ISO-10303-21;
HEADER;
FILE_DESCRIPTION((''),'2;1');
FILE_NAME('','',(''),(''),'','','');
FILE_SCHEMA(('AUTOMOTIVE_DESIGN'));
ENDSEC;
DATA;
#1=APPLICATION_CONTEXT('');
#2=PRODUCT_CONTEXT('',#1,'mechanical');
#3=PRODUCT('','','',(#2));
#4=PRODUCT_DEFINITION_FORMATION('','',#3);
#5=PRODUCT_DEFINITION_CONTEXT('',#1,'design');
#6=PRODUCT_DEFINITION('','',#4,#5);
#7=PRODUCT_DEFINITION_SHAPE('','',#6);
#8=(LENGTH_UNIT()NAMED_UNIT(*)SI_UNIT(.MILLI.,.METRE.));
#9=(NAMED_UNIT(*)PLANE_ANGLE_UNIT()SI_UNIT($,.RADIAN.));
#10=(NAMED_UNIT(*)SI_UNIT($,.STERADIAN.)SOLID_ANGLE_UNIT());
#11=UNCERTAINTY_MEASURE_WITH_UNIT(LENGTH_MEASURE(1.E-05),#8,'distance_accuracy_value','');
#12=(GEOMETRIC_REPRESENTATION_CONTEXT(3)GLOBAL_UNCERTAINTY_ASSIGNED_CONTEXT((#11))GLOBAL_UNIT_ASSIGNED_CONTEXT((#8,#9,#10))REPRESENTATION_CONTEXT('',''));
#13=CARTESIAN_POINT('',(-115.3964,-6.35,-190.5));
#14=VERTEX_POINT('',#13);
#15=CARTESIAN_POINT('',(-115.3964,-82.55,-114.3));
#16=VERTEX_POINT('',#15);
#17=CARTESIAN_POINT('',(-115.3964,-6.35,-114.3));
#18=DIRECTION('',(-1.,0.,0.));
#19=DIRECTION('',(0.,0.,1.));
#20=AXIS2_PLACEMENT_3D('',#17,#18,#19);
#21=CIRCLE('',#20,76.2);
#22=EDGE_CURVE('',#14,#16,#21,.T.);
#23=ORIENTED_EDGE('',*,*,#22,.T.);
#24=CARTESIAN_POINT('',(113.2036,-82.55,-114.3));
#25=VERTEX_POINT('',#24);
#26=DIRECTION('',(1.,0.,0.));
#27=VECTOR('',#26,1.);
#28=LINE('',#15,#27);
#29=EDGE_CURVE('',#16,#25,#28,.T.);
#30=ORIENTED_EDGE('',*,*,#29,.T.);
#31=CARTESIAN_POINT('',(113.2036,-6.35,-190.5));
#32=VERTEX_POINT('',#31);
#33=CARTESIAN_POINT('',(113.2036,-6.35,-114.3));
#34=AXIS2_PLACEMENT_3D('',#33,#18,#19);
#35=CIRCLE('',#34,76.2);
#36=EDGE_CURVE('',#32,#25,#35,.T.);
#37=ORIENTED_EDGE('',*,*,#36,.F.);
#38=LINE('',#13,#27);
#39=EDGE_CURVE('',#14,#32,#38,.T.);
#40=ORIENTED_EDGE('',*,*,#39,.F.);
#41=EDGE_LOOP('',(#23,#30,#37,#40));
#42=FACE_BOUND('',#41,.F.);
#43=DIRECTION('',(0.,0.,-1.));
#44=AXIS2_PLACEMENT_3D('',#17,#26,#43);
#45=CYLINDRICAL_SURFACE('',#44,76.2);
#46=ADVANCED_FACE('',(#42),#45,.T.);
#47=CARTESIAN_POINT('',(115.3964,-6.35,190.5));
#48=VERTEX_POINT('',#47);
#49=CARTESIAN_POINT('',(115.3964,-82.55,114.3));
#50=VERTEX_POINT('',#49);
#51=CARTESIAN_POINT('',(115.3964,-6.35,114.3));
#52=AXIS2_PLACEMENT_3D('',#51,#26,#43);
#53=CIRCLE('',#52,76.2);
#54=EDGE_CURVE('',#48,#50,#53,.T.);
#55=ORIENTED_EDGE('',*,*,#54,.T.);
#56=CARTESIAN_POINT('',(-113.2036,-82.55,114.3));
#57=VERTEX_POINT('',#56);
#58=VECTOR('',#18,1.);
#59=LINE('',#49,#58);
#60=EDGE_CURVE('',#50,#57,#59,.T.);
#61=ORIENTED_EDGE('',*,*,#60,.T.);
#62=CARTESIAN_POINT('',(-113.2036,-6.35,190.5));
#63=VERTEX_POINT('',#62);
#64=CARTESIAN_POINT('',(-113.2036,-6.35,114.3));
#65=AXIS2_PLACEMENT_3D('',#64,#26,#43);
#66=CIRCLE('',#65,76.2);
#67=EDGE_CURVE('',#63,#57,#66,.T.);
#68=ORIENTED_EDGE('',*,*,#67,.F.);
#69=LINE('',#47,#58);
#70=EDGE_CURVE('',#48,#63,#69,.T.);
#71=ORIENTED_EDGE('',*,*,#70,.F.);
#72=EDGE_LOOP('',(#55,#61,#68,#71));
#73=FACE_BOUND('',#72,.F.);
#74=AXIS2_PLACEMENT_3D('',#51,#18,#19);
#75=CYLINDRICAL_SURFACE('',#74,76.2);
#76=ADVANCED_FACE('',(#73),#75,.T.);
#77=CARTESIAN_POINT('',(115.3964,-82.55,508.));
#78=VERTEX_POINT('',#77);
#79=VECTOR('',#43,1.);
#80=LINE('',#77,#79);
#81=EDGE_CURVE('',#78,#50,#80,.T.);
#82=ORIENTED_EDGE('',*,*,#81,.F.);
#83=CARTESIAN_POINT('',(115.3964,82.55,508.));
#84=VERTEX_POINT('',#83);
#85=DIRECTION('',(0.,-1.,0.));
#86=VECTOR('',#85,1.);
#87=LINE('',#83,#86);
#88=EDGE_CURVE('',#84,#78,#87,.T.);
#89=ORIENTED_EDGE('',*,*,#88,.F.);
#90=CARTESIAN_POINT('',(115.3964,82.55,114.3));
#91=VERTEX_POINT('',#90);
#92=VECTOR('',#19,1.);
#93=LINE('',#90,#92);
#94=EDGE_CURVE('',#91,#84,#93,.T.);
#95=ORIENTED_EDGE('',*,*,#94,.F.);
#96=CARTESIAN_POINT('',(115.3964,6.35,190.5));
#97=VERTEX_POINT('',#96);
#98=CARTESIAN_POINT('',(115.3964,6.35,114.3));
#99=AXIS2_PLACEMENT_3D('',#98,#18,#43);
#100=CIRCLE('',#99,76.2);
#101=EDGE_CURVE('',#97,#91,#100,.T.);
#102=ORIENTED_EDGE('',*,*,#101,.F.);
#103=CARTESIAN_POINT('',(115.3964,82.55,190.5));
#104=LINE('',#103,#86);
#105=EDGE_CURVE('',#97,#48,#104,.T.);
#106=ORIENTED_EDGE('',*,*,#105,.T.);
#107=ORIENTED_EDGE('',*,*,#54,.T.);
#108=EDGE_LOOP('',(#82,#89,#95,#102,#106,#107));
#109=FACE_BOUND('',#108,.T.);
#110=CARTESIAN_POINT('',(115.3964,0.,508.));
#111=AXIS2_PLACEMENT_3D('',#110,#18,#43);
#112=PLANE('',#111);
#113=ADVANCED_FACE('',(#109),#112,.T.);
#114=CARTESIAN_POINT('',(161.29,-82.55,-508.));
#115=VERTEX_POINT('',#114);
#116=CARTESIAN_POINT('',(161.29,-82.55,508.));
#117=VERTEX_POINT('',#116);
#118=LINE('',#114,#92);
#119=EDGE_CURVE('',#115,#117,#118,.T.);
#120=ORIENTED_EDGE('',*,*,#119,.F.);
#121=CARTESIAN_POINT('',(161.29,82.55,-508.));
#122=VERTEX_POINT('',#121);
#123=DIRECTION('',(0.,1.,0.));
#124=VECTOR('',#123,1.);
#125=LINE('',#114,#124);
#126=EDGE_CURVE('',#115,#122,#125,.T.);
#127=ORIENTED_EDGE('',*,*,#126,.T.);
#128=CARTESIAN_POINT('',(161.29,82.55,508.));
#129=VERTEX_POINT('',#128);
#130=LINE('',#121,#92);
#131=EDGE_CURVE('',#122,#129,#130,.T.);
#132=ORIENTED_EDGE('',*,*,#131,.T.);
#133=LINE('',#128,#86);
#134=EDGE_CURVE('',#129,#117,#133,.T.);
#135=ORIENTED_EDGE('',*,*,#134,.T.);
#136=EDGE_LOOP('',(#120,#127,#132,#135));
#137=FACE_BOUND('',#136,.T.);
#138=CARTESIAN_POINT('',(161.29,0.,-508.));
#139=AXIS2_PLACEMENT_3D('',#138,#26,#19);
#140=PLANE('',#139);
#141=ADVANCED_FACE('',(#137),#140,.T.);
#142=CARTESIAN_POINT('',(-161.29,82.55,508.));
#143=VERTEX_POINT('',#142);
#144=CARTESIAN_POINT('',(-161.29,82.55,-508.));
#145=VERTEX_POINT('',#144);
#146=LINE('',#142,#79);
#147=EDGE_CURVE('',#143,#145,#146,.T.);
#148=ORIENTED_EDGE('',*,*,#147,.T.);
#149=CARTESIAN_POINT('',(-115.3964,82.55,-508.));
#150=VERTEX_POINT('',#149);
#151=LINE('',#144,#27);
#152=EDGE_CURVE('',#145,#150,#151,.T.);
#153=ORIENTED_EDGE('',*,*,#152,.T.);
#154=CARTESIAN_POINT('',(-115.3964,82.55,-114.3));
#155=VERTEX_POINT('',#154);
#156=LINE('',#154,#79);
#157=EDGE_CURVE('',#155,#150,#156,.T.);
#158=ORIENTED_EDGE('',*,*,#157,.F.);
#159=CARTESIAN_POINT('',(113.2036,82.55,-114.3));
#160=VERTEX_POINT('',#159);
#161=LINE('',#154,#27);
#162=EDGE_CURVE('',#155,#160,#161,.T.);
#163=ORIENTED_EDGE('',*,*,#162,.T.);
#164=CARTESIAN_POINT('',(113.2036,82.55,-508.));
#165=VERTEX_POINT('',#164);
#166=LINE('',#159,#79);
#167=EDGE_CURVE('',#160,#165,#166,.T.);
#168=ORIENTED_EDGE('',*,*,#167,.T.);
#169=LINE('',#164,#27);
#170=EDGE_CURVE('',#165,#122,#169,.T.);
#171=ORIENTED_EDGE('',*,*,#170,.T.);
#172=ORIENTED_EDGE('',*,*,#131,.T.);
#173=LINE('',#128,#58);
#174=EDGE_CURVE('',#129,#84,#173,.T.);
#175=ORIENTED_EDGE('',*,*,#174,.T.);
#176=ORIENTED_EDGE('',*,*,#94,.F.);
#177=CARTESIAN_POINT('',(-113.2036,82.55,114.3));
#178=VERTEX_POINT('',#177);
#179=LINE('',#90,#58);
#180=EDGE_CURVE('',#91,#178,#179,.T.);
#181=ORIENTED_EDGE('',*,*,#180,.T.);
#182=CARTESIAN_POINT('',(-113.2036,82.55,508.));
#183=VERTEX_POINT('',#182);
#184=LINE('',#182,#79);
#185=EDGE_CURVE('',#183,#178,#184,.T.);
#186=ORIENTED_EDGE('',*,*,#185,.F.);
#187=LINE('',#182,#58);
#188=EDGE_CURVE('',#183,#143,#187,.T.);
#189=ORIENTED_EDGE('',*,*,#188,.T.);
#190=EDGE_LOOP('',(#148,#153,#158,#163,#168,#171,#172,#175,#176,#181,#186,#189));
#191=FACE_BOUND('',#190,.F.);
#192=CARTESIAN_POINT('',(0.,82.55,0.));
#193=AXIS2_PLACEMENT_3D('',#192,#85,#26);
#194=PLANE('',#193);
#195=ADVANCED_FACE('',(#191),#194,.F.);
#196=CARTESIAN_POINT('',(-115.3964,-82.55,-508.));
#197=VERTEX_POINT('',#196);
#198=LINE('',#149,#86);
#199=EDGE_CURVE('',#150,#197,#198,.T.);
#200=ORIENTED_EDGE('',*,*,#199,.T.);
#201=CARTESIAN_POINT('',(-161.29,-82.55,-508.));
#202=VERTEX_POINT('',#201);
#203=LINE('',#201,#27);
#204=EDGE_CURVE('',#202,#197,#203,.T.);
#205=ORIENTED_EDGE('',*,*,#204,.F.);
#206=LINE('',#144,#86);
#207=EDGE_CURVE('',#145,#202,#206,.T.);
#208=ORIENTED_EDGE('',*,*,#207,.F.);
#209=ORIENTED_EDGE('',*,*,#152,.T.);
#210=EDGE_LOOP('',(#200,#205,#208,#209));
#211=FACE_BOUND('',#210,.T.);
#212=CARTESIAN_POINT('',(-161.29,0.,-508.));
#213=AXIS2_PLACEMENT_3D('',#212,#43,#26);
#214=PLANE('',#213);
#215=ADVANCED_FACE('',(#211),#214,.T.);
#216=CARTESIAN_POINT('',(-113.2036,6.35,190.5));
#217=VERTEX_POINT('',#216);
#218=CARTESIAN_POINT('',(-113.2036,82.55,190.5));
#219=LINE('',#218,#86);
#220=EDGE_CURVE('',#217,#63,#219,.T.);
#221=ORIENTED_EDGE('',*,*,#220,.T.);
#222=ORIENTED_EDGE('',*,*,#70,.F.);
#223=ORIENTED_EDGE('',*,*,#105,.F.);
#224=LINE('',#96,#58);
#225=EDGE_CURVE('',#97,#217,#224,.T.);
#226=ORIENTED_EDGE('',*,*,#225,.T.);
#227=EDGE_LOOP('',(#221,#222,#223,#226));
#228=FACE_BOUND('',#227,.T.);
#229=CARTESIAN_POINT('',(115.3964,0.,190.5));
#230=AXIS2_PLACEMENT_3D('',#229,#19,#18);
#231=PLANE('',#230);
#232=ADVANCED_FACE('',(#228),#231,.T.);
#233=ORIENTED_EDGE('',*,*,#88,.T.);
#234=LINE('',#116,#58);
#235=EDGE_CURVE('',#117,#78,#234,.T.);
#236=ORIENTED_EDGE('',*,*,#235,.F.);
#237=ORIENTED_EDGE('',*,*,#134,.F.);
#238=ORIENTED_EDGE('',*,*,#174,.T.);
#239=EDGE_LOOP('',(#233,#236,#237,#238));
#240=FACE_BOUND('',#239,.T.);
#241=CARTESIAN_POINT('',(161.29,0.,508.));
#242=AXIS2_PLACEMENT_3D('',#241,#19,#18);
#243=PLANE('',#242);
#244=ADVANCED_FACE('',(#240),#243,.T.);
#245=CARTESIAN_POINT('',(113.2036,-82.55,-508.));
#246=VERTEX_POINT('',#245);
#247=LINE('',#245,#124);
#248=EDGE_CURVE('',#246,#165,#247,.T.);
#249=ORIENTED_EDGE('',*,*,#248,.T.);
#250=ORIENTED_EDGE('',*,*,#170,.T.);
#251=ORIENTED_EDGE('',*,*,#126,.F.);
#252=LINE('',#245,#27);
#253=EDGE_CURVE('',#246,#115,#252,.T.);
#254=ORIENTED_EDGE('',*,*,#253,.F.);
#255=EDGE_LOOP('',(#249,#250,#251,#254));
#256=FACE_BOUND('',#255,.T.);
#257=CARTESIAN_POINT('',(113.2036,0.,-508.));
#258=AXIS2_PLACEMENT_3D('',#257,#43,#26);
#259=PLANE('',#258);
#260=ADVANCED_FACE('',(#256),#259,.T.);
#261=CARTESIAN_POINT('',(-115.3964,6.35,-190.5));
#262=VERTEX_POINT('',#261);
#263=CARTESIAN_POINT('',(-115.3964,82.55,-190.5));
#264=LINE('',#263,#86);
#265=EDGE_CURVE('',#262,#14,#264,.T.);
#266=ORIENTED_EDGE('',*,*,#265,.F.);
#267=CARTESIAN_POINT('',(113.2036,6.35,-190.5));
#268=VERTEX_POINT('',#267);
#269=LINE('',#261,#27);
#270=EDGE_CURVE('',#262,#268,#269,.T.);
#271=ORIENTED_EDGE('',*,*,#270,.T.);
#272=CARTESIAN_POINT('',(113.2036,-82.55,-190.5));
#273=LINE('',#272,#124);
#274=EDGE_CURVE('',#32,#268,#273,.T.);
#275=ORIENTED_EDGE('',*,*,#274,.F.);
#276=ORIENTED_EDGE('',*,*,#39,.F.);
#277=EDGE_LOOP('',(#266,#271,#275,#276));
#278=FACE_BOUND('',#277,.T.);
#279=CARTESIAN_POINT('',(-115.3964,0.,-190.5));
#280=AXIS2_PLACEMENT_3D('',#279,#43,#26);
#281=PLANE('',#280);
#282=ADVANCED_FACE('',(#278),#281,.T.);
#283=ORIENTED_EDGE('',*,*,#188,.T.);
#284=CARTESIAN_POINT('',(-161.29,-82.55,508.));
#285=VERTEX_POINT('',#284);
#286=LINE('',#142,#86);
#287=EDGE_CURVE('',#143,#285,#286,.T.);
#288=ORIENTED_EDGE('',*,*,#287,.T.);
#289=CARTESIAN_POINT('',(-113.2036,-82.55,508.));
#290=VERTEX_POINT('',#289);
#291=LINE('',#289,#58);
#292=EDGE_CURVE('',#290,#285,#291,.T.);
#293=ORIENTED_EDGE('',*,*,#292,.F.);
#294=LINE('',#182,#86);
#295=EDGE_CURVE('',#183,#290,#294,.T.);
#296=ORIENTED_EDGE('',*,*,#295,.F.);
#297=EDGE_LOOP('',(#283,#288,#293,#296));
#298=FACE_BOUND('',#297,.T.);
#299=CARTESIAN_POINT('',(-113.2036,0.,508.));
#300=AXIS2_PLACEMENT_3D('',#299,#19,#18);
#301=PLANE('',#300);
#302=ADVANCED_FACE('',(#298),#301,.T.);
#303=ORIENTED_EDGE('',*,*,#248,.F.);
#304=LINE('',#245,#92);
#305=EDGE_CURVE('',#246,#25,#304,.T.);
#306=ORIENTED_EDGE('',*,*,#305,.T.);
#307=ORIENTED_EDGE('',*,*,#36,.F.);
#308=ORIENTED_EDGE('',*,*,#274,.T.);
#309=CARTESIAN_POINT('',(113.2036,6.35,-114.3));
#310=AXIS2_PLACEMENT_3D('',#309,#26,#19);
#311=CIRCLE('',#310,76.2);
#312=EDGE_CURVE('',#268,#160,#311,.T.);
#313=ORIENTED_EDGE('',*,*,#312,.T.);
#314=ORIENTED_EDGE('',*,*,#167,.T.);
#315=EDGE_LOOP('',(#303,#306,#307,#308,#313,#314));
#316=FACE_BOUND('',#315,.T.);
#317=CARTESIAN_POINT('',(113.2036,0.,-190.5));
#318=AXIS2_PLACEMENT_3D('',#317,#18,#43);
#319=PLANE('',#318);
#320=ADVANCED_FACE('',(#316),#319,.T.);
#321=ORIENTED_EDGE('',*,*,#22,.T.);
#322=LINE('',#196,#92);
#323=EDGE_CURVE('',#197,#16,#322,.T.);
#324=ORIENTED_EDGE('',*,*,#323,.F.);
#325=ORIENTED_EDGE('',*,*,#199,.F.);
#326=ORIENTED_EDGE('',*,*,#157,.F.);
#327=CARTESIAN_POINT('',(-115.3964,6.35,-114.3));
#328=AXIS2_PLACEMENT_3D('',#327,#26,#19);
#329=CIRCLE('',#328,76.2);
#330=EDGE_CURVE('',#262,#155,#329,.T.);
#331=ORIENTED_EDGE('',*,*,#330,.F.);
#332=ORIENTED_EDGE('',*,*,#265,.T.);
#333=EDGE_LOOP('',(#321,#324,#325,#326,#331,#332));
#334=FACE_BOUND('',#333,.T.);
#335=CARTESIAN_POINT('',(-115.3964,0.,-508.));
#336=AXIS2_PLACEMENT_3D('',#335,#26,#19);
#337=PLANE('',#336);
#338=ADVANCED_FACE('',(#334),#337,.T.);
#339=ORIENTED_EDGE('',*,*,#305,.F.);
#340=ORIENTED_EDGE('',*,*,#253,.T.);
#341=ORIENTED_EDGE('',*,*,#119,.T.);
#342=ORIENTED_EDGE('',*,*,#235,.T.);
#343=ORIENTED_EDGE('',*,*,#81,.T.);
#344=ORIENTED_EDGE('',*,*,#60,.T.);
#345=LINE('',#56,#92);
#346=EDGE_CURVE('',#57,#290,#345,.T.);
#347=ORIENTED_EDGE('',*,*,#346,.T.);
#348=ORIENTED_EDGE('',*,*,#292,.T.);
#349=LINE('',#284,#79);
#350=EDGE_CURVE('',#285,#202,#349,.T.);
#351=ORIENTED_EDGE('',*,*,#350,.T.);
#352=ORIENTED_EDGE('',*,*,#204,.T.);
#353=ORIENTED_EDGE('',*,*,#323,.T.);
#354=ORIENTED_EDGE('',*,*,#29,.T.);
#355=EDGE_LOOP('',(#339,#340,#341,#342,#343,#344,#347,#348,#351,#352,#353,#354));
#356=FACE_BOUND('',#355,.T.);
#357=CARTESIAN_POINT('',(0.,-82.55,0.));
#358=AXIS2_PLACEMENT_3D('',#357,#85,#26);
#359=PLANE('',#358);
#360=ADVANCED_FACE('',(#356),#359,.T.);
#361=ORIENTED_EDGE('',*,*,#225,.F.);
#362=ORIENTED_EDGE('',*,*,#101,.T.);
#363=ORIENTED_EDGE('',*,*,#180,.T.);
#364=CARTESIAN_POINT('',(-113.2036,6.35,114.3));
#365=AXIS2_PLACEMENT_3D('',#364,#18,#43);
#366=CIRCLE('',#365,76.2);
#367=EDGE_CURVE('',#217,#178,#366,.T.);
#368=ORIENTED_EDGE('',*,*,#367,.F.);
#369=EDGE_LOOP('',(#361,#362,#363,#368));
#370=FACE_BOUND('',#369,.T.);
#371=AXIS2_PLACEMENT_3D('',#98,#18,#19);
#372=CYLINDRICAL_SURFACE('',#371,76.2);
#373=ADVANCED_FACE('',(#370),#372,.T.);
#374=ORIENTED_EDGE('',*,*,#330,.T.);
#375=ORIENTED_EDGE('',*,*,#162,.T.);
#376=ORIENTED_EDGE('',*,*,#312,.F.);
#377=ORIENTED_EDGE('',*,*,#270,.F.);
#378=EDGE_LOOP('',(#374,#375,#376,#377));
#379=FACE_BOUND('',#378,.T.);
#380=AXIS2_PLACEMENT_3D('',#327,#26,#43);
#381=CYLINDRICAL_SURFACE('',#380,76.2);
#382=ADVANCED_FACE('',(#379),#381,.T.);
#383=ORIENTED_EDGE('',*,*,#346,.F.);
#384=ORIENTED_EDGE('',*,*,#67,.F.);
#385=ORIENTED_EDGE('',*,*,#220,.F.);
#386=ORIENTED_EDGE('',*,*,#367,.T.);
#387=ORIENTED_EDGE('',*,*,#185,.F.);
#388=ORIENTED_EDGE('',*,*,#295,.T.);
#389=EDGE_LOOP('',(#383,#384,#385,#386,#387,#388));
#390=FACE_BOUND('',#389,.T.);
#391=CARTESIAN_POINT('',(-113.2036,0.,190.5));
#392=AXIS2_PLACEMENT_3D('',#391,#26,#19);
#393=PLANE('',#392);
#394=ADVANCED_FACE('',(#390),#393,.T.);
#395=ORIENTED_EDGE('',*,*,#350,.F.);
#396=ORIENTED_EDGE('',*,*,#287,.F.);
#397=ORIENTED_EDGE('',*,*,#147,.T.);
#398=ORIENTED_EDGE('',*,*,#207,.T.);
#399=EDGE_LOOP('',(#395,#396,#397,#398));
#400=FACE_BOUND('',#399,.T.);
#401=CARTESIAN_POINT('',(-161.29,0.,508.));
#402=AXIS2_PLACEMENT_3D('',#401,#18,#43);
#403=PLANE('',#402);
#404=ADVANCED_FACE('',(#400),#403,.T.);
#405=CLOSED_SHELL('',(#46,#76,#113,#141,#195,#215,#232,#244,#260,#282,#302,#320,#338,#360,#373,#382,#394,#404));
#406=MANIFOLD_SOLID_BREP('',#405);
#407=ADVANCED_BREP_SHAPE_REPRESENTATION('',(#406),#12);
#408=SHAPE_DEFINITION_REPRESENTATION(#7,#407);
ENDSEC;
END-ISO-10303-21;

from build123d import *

# Parameters (mm, degrees)
F1_DEPTH = 82.55
F2_R     = 76.2


with BuildPart() as f1:
    # F0 (on Front) → F1 (new body, symmetric)
    with BuildSketch(Plane.XZ):
        Polygon((161.29, -508), (161.29, 508), (115.3964, 508), (115.3964, 190.5), (0, 190.5), (-113.2036, 190.5), (-113.2036, 508), (-161.29, 508), (-161.29, -508), (-115.3964, -508), (-115.3964, -190.5), (0, -190.5), (113.2036, -190.5), (113.2036, -508), align=None)
    extrude(amount=F1_DEPTH, both=True)

    # F2
    f2_edges = [f1.edges().sort_by_distance(p)[0] for p in [
        (1.0964, -82.55, 190.5),
        (1.0964, 82.55, 190.5),
        (-1.0964, 82.55, -190.5),
        (-1.0964, -82.55, -190.5),
    ]]
    fillet(f2_edges, radius=F2_R)


solid = f1.part
